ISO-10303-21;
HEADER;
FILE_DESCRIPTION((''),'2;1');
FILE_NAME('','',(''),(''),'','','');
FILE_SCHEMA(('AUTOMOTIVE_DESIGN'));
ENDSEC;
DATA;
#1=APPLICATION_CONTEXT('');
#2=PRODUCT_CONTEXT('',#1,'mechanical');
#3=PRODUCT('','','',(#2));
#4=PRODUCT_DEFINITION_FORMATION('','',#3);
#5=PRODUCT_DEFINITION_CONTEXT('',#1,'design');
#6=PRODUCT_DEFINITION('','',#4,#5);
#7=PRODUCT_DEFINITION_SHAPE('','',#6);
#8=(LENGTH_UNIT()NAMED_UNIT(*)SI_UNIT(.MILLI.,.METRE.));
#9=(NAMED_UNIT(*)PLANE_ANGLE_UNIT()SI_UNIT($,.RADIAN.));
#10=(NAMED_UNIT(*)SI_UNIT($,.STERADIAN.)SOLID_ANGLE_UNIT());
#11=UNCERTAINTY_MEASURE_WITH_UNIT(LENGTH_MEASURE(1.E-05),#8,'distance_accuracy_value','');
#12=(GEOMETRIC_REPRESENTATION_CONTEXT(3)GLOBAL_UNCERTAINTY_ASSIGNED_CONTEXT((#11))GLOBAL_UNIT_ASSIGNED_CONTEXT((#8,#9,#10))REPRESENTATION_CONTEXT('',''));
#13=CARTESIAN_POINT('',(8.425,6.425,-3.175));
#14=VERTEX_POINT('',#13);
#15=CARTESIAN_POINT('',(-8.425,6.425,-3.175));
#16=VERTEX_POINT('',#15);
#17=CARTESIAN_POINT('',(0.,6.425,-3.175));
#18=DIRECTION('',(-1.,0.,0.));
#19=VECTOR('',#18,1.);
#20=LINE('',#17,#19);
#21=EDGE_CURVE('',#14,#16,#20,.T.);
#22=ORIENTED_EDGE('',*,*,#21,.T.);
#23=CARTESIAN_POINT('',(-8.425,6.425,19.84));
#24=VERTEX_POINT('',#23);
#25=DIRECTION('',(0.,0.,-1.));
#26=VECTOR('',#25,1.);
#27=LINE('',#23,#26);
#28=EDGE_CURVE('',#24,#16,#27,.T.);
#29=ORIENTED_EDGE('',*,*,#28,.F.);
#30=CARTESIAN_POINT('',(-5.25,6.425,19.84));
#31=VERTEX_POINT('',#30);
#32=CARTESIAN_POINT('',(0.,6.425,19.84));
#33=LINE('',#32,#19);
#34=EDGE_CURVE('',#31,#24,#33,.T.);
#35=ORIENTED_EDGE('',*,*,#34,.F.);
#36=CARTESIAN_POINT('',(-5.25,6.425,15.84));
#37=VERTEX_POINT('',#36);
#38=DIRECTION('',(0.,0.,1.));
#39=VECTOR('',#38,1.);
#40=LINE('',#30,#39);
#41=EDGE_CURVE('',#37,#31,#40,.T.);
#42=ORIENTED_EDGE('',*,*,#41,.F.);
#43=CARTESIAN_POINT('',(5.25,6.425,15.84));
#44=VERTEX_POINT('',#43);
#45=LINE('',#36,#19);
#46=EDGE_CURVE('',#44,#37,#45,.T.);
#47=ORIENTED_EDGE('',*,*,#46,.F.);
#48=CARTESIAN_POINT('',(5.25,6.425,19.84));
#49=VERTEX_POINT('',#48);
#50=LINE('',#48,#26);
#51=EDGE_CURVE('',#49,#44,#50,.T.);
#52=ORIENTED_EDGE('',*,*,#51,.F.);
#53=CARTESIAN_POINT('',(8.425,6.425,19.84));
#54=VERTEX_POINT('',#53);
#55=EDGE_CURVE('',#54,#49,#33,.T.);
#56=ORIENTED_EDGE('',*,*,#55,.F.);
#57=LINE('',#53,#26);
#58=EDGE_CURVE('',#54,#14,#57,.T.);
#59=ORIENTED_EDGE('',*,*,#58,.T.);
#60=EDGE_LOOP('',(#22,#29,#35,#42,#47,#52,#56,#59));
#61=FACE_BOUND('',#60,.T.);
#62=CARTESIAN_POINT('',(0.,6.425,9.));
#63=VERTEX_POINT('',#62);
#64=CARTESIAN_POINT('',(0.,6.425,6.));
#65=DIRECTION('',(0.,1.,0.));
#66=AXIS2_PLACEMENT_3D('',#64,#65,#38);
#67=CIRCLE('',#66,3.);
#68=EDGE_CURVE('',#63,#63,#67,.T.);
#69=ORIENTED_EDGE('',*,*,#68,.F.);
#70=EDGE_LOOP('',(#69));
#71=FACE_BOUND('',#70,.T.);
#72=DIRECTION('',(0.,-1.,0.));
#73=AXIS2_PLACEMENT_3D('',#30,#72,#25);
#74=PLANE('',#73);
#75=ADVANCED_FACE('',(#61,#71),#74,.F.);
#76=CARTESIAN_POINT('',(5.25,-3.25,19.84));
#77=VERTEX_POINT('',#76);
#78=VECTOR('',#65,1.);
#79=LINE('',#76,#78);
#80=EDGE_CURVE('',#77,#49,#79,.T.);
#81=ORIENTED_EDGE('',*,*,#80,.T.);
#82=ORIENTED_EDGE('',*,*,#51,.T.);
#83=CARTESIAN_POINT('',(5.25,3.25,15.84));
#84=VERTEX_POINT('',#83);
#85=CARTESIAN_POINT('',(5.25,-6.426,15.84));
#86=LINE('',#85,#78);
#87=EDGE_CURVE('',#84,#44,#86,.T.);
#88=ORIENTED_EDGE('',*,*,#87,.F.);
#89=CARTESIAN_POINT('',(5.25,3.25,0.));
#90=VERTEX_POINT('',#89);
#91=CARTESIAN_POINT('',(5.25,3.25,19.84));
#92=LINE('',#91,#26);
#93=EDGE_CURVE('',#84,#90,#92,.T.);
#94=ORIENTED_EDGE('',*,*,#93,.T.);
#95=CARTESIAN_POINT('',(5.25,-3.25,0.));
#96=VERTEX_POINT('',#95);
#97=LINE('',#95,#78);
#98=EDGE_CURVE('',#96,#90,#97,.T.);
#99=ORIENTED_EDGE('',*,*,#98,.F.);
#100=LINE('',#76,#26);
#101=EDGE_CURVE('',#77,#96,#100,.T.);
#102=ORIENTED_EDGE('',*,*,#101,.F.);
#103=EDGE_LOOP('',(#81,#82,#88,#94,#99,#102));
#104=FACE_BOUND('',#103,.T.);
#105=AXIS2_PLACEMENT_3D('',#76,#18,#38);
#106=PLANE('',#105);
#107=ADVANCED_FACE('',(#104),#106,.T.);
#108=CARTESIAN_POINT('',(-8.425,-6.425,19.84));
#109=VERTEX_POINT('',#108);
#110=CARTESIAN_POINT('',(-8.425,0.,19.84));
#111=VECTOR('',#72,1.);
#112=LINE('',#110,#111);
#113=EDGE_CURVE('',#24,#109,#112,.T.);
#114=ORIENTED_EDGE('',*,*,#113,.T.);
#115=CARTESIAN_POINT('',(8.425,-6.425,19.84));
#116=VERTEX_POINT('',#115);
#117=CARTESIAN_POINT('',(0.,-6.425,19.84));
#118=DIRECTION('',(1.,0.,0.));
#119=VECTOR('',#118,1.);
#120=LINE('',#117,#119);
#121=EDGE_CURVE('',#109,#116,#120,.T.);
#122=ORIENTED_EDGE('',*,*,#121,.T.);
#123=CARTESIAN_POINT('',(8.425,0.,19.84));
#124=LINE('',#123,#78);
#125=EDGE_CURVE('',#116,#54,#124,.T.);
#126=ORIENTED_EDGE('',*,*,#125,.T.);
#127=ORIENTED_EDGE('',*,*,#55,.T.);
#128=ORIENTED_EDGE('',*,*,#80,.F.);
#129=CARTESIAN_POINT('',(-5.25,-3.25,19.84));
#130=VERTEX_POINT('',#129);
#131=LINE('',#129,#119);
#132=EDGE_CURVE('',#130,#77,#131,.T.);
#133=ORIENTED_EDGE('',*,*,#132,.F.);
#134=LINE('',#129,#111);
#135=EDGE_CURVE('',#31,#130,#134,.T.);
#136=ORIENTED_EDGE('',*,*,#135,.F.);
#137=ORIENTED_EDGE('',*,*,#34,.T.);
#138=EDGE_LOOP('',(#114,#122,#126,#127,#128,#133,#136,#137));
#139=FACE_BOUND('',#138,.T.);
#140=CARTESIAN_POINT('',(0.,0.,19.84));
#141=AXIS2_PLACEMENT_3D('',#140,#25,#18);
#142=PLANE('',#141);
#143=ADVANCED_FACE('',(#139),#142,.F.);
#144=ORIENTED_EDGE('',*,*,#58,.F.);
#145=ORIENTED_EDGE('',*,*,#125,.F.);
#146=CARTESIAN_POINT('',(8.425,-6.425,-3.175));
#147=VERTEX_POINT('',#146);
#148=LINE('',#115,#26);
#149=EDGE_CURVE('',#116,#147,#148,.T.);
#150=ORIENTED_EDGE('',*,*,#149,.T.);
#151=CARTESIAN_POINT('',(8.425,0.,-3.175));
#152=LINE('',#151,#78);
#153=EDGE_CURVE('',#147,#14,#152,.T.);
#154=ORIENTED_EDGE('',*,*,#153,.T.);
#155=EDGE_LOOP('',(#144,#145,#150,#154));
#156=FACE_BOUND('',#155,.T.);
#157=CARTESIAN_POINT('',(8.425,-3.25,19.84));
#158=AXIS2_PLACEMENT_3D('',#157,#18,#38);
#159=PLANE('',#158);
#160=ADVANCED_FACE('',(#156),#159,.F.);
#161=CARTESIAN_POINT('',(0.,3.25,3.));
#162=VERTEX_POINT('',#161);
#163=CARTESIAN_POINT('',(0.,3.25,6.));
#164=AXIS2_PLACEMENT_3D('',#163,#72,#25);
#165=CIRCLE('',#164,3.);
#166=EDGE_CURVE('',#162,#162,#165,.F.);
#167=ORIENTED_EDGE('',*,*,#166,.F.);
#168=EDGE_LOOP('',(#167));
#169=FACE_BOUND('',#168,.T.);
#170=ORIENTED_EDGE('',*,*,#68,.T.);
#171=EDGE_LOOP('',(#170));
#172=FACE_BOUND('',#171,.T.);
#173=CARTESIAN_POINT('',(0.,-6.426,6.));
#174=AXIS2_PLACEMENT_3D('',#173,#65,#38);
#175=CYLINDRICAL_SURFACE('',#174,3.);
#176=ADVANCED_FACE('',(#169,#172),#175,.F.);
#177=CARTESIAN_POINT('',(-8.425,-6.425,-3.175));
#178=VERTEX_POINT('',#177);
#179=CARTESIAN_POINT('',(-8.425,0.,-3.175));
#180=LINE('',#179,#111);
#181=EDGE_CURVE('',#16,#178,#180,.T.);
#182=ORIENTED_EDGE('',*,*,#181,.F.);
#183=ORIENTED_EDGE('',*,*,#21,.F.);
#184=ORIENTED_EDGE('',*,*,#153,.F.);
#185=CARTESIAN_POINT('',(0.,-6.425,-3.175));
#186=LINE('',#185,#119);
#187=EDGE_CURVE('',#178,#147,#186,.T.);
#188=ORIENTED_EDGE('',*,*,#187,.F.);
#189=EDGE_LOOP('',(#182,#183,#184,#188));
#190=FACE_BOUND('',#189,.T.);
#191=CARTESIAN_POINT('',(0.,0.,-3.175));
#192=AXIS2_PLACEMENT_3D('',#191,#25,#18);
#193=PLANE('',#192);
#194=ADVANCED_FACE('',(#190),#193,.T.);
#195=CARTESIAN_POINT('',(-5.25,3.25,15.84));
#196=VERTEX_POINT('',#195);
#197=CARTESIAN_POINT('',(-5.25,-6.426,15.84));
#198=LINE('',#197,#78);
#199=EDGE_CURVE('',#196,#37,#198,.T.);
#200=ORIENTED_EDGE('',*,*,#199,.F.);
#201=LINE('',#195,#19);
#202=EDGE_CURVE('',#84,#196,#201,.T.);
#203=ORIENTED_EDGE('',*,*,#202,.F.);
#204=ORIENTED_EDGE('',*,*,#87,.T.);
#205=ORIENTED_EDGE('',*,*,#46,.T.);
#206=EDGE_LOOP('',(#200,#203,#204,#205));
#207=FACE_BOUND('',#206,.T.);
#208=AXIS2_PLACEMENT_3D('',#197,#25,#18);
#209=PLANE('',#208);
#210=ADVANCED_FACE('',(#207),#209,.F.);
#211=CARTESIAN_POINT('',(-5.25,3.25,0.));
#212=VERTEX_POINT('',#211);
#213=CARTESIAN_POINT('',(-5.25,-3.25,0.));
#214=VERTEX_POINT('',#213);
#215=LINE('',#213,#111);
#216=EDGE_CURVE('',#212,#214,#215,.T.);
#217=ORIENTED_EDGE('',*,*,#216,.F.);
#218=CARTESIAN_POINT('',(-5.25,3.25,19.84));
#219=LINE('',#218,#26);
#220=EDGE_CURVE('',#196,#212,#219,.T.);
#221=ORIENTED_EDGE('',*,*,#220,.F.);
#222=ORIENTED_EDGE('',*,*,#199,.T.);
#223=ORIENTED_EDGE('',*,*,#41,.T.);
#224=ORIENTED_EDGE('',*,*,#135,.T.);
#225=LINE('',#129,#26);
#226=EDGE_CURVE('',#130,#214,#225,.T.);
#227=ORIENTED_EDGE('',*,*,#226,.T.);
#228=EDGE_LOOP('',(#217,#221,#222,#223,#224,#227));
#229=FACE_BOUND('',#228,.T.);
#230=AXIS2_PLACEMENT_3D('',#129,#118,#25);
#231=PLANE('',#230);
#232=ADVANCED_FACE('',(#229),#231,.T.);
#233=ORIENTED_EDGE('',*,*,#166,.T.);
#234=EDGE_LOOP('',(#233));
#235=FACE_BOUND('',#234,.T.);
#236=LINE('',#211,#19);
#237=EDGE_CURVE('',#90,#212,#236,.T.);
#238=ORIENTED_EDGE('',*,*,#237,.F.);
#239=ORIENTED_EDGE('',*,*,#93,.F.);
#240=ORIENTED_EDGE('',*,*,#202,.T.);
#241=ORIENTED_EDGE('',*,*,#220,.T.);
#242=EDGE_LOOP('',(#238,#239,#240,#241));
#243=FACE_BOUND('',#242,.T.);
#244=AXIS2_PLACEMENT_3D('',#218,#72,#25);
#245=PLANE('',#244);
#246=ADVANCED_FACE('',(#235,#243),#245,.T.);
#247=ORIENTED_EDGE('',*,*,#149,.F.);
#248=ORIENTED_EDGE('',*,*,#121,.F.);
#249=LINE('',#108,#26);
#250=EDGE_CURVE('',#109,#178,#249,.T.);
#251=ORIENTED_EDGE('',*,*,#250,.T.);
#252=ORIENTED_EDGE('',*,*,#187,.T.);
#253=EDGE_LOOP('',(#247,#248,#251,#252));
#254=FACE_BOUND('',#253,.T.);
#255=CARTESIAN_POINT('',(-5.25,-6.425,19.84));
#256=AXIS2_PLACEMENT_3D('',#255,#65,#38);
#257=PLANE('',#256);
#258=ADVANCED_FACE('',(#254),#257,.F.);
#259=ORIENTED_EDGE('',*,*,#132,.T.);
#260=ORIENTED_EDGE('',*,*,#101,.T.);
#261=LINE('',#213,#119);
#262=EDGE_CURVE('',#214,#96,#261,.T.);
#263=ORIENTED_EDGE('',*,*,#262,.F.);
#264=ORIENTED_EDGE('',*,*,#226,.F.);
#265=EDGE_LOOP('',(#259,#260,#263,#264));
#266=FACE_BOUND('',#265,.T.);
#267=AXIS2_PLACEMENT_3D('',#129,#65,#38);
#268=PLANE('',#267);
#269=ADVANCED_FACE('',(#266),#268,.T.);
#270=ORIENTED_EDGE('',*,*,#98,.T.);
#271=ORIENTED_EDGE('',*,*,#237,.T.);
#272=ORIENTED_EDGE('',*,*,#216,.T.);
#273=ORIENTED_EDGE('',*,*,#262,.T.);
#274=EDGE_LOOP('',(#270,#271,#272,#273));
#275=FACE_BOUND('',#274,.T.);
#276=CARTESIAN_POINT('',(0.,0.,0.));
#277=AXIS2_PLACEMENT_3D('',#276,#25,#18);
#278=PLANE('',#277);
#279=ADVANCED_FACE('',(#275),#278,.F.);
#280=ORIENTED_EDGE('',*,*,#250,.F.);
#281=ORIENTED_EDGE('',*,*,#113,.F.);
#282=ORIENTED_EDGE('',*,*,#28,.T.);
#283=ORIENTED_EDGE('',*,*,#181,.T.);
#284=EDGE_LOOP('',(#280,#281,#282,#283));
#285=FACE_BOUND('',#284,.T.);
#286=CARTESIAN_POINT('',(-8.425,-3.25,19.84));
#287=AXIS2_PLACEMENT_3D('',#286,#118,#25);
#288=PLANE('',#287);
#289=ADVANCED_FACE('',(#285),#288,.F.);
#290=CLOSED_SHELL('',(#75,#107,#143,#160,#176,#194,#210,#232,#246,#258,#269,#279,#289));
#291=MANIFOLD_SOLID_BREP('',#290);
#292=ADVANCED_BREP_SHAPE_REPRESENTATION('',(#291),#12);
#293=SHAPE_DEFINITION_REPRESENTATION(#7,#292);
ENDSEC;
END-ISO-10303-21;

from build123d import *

# Parameters (mm, degrees)
SKETCH1_W           = 10.5
SKETCH1_H           = 6.5
BOSS_EXTRUDE1_DEPTH = 19.84
SHELL1_T            = 3.175
CUT_EXTRUDE1_REACH  = 27.094
SKETCH2_R           = 3
SKETCH2_W           = 10.5
SKETCH2_H           = 4


with BuildPart() as part:
    # Sketch1 → Boss-Extrude1 (new body)
    with BuildSketch(Plane.XY):
        Rectangle(SKETCH1_W, SKETCH1_H)
    extrude(amount=BOSS_EXTRUDE1_DEPTH)

    # Shell1
    shell1_openings = [part.faces().sort_by_distance(p)[0] for p in [
        (0, 0, 19.84),
    ]]
    offset(amount=SHELL1_T, openings=shell1_openings, kind=Kind.INTERSECTION)

    # Sketch2 → Cut-Extrude1 (cut, up to next)
    with BuildSketch(Plane(origin=(0, 6.425, 0), x_dir=(1, 0, 0), z_dir=(0, 1, 0)), mode=Mode.PRIVATE) as cut_extrude1_sk1:
        with Locations(Location((0, -6, 0), (0, 0, 270))):
            Circle(SKETCH2_R)
    cut_extrude1_tool1 = extrude(cut_extrude1_sk1.sketch, amount=-CUT_EXTRUDE1_REACH, mode=Mode.PRIVATE) & part.part
    # Sketch2 → Cut-Extrude1 (cut, up to next)
    with BuildSketch(Plane(origin=(0, 6.425, 0), x_dir=(1, 0, 0), z_dir=(0, 1, 0)), mode=Mode.PRIVATE) as cut_extrude1_sk2:
        with Locations((0, -17.84)):
            Rectangle(SKETCH2_W, SKETCH2_H)
    cut_extrude1_tool2 = extrude(cut_extrude1_sk2.sketch, amount=-CUT_EXTRUDE1_REACH, mode=Mode.PRIVATE) & part.part
    add(cut_extrude1_tool1.solids().sort_by_distance((0, 6.425, 6))[0], mode=Mode.SUBTRACT)
    add(cut_extrude1_tool2.solids().sort_by_distance((0, 6.425, 17.84))[0], mode=Mode.SUBTRACT)


solid = part.part
